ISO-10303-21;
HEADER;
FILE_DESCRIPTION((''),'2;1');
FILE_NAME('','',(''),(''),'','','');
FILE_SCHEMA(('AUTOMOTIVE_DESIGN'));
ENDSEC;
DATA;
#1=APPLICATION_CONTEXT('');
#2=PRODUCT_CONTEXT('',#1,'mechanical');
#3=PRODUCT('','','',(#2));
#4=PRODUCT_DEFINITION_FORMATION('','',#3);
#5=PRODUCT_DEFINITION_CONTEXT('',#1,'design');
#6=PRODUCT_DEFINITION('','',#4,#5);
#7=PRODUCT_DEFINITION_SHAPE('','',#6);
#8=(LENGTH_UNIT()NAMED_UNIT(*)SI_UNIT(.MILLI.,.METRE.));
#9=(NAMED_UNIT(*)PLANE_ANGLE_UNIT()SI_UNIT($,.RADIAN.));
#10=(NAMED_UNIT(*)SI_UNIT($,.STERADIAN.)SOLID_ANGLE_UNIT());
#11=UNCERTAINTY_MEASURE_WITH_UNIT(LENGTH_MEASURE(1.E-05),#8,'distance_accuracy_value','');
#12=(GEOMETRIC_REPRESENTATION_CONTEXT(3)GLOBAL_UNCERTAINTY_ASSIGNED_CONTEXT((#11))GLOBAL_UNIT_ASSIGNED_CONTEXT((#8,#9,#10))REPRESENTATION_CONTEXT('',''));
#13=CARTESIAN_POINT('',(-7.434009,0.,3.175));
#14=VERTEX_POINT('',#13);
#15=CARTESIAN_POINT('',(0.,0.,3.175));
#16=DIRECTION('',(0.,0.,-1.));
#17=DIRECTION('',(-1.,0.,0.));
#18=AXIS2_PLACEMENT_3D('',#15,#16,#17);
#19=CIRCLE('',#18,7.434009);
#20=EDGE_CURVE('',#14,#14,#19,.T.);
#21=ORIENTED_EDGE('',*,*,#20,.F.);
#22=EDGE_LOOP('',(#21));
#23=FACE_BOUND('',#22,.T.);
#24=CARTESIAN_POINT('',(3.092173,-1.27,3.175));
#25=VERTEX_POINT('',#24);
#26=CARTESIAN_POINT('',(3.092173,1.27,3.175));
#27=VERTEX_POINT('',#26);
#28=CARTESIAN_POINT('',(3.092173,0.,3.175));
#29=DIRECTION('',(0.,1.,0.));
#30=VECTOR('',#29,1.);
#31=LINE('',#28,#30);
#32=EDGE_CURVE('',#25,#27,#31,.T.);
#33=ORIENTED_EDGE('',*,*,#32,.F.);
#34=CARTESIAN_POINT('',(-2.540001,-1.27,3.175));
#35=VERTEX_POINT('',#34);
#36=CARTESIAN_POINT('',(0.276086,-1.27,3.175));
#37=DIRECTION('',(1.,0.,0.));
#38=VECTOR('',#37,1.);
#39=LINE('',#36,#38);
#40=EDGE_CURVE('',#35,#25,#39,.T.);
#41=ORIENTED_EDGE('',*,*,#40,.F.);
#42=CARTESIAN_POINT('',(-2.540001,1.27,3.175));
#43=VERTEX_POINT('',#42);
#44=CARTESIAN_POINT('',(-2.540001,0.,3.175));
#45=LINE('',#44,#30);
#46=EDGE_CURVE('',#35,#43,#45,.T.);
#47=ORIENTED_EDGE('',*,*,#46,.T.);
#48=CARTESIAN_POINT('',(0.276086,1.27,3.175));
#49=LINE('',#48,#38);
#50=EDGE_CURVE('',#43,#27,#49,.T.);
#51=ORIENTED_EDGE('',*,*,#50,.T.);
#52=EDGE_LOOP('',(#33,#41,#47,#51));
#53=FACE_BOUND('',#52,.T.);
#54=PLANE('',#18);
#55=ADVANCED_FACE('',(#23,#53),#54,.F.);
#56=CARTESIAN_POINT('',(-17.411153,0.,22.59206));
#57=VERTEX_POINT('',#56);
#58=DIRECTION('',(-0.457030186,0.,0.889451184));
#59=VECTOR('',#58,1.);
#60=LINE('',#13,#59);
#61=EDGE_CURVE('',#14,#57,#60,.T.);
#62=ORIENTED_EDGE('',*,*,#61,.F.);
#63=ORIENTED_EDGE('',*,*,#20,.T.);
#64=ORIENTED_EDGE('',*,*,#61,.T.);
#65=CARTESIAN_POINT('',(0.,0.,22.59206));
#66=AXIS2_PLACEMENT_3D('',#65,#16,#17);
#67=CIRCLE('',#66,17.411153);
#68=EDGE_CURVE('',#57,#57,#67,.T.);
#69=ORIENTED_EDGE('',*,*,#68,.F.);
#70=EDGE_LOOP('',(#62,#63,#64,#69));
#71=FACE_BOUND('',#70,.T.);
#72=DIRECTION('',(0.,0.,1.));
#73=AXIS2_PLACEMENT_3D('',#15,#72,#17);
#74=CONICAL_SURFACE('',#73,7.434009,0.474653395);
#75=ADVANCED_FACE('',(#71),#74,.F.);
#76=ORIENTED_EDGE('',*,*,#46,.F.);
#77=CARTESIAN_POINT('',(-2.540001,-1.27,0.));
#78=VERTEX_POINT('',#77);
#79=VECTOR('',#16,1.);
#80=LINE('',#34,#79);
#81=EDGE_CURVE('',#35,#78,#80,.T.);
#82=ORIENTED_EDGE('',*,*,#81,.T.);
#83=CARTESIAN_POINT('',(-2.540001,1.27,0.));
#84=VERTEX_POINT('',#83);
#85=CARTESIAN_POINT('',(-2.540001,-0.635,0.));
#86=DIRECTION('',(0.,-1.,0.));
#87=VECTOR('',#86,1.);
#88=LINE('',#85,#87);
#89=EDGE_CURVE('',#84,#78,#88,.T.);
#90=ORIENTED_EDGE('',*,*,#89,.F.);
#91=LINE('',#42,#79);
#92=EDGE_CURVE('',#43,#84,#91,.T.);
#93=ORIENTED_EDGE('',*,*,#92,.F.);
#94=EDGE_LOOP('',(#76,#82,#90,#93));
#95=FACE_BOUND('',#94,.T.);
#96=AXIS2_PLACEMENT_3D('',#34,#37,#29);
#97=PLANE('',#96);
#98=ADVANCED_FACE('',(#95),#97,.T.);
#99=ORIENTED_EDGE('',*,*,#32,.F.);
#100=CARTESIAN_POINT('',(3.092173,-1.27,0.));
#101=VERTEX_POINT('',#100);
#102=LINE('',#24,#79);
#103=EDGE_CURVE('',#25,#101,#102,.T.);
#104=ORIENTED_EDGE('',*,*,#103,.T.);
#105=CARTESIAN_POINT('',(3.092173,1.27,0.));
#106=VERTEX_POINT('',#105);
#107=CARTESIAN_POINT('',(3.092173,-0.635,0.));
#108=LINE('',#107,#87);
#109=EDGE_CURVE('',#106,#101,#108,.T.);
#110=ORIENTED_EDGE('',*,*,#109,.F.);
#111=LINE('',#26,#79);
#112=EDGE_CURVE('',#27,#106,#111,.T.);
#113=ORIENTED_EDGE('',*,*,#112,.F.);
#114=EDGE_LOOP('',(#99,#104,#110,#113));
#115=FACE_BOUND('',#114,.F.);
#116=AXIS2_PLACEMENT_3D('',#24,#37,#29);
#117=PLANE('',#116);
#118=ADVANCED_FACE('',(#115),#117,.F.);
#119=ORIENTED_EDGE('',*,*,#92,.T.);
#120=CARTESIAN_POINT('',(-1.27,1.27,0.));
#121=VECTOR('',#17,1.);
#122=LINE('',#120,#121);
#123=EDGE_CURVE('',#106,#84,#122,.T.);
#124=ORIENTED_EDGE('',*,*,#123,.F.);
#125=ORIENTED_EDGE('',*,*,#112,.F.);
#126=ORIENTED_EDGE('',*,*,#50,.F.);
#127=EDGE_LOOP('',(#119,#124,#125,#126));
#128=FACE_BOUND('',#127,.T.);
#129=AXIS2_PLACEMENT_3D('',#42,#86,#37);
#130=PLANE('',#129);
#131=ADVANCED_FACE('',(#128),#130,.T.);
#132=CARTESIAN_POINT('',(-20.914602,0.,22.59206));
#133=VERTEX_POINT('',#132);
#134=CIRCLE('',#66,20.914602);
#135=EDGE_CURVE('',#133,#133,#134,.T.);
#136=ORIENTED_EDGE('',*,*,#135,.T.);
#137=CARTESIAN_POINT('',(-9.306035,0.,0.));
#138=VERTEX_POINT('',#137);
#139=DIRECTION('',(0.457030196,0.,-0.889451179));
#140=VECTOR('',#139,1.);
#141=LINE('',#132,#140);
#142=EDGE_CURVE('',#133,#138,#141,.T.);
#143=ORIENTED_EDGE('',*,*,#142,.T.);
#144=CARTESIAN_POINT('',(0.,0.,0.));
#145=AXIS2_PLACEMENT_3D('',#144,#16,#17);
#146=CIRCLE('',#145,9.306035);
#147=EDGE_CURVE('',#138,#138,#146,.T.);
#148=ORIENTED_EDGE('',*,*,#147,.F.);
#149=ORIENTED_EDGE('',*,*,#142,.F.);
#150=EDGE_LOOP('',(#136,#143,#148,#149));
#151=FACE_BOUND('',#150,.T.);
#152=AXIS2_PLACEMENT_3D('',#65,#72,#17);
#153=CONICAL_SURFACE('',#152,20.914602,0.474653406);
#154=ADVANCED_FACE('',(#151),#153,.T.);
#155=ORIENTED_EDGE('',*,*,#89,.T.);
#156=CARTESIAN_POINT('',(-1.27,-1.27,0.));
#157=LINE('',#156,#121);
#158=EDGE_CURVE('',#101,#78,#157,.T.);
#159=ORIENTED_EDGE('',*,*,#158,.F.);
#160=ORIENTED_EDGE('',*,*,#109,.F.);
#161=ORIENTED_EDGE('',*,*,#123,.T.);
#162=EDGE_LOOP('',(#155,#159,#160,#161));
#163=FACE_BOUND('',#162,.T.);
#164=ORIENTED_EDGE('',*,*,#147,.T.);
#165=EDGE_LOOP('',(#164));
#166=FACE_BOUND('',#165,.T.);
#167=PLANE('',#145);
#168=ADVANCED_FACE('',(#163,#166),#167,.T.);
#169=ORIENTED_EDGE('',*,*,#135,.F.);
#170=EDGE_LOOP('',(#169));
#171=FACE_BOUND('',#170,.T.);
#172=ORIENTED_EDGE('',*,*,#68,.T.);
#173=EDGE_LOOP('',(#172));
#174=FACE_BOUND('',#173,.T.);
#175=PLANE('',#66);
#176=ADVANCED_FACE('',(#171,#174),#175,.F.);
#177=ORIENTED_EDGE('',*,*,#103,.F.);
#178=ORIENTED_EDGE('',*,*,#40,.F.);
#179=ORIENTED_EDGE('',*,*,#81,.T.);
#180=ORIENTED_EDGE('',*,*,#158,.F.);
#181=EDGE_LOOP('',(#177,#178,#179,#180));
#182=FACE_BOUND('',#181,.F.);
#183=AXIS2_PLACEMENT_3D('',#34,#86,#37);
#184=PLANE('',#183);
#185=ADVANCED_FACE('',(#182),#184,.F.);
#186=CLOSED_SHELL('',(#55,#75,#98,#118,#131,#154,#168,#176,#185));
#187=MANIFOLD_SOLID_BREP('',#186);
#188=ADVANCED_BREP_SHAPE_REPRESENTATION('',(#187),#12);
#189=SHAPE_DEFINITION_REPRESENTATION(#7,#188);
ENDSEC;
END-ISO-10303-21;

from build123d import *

# Parameters (mm, degrees)
F2_W     = 5.632173
F2_H     = 2.54
F3_DEPTH = 25.4


with BuildPart() as f1:
    # F0 (on Front) → F1 (revolve)
    with BuildSketch(Plane.XZ):
        Polygon((-9.306035, 0), (0, 0), (0, 3.175), (-7.434009, 3.175), (-17.411153, 22.59206), (-20.914602, 22.59206), align=None)
    revolve(axis=Axis((0, 0, 1.5875), (0, 0, -1)))

    # F2 (on face) → F3 (cut)
    with BuildSketch(Plane.XY.offset(3.175)):
        with Locations((0.276086, 0)):
            Rectangle(F2_W, F2_H)
    extrude(amount=-F3_DEPTH, mode=Mode.SUBTRACT)


solid = f1.part
